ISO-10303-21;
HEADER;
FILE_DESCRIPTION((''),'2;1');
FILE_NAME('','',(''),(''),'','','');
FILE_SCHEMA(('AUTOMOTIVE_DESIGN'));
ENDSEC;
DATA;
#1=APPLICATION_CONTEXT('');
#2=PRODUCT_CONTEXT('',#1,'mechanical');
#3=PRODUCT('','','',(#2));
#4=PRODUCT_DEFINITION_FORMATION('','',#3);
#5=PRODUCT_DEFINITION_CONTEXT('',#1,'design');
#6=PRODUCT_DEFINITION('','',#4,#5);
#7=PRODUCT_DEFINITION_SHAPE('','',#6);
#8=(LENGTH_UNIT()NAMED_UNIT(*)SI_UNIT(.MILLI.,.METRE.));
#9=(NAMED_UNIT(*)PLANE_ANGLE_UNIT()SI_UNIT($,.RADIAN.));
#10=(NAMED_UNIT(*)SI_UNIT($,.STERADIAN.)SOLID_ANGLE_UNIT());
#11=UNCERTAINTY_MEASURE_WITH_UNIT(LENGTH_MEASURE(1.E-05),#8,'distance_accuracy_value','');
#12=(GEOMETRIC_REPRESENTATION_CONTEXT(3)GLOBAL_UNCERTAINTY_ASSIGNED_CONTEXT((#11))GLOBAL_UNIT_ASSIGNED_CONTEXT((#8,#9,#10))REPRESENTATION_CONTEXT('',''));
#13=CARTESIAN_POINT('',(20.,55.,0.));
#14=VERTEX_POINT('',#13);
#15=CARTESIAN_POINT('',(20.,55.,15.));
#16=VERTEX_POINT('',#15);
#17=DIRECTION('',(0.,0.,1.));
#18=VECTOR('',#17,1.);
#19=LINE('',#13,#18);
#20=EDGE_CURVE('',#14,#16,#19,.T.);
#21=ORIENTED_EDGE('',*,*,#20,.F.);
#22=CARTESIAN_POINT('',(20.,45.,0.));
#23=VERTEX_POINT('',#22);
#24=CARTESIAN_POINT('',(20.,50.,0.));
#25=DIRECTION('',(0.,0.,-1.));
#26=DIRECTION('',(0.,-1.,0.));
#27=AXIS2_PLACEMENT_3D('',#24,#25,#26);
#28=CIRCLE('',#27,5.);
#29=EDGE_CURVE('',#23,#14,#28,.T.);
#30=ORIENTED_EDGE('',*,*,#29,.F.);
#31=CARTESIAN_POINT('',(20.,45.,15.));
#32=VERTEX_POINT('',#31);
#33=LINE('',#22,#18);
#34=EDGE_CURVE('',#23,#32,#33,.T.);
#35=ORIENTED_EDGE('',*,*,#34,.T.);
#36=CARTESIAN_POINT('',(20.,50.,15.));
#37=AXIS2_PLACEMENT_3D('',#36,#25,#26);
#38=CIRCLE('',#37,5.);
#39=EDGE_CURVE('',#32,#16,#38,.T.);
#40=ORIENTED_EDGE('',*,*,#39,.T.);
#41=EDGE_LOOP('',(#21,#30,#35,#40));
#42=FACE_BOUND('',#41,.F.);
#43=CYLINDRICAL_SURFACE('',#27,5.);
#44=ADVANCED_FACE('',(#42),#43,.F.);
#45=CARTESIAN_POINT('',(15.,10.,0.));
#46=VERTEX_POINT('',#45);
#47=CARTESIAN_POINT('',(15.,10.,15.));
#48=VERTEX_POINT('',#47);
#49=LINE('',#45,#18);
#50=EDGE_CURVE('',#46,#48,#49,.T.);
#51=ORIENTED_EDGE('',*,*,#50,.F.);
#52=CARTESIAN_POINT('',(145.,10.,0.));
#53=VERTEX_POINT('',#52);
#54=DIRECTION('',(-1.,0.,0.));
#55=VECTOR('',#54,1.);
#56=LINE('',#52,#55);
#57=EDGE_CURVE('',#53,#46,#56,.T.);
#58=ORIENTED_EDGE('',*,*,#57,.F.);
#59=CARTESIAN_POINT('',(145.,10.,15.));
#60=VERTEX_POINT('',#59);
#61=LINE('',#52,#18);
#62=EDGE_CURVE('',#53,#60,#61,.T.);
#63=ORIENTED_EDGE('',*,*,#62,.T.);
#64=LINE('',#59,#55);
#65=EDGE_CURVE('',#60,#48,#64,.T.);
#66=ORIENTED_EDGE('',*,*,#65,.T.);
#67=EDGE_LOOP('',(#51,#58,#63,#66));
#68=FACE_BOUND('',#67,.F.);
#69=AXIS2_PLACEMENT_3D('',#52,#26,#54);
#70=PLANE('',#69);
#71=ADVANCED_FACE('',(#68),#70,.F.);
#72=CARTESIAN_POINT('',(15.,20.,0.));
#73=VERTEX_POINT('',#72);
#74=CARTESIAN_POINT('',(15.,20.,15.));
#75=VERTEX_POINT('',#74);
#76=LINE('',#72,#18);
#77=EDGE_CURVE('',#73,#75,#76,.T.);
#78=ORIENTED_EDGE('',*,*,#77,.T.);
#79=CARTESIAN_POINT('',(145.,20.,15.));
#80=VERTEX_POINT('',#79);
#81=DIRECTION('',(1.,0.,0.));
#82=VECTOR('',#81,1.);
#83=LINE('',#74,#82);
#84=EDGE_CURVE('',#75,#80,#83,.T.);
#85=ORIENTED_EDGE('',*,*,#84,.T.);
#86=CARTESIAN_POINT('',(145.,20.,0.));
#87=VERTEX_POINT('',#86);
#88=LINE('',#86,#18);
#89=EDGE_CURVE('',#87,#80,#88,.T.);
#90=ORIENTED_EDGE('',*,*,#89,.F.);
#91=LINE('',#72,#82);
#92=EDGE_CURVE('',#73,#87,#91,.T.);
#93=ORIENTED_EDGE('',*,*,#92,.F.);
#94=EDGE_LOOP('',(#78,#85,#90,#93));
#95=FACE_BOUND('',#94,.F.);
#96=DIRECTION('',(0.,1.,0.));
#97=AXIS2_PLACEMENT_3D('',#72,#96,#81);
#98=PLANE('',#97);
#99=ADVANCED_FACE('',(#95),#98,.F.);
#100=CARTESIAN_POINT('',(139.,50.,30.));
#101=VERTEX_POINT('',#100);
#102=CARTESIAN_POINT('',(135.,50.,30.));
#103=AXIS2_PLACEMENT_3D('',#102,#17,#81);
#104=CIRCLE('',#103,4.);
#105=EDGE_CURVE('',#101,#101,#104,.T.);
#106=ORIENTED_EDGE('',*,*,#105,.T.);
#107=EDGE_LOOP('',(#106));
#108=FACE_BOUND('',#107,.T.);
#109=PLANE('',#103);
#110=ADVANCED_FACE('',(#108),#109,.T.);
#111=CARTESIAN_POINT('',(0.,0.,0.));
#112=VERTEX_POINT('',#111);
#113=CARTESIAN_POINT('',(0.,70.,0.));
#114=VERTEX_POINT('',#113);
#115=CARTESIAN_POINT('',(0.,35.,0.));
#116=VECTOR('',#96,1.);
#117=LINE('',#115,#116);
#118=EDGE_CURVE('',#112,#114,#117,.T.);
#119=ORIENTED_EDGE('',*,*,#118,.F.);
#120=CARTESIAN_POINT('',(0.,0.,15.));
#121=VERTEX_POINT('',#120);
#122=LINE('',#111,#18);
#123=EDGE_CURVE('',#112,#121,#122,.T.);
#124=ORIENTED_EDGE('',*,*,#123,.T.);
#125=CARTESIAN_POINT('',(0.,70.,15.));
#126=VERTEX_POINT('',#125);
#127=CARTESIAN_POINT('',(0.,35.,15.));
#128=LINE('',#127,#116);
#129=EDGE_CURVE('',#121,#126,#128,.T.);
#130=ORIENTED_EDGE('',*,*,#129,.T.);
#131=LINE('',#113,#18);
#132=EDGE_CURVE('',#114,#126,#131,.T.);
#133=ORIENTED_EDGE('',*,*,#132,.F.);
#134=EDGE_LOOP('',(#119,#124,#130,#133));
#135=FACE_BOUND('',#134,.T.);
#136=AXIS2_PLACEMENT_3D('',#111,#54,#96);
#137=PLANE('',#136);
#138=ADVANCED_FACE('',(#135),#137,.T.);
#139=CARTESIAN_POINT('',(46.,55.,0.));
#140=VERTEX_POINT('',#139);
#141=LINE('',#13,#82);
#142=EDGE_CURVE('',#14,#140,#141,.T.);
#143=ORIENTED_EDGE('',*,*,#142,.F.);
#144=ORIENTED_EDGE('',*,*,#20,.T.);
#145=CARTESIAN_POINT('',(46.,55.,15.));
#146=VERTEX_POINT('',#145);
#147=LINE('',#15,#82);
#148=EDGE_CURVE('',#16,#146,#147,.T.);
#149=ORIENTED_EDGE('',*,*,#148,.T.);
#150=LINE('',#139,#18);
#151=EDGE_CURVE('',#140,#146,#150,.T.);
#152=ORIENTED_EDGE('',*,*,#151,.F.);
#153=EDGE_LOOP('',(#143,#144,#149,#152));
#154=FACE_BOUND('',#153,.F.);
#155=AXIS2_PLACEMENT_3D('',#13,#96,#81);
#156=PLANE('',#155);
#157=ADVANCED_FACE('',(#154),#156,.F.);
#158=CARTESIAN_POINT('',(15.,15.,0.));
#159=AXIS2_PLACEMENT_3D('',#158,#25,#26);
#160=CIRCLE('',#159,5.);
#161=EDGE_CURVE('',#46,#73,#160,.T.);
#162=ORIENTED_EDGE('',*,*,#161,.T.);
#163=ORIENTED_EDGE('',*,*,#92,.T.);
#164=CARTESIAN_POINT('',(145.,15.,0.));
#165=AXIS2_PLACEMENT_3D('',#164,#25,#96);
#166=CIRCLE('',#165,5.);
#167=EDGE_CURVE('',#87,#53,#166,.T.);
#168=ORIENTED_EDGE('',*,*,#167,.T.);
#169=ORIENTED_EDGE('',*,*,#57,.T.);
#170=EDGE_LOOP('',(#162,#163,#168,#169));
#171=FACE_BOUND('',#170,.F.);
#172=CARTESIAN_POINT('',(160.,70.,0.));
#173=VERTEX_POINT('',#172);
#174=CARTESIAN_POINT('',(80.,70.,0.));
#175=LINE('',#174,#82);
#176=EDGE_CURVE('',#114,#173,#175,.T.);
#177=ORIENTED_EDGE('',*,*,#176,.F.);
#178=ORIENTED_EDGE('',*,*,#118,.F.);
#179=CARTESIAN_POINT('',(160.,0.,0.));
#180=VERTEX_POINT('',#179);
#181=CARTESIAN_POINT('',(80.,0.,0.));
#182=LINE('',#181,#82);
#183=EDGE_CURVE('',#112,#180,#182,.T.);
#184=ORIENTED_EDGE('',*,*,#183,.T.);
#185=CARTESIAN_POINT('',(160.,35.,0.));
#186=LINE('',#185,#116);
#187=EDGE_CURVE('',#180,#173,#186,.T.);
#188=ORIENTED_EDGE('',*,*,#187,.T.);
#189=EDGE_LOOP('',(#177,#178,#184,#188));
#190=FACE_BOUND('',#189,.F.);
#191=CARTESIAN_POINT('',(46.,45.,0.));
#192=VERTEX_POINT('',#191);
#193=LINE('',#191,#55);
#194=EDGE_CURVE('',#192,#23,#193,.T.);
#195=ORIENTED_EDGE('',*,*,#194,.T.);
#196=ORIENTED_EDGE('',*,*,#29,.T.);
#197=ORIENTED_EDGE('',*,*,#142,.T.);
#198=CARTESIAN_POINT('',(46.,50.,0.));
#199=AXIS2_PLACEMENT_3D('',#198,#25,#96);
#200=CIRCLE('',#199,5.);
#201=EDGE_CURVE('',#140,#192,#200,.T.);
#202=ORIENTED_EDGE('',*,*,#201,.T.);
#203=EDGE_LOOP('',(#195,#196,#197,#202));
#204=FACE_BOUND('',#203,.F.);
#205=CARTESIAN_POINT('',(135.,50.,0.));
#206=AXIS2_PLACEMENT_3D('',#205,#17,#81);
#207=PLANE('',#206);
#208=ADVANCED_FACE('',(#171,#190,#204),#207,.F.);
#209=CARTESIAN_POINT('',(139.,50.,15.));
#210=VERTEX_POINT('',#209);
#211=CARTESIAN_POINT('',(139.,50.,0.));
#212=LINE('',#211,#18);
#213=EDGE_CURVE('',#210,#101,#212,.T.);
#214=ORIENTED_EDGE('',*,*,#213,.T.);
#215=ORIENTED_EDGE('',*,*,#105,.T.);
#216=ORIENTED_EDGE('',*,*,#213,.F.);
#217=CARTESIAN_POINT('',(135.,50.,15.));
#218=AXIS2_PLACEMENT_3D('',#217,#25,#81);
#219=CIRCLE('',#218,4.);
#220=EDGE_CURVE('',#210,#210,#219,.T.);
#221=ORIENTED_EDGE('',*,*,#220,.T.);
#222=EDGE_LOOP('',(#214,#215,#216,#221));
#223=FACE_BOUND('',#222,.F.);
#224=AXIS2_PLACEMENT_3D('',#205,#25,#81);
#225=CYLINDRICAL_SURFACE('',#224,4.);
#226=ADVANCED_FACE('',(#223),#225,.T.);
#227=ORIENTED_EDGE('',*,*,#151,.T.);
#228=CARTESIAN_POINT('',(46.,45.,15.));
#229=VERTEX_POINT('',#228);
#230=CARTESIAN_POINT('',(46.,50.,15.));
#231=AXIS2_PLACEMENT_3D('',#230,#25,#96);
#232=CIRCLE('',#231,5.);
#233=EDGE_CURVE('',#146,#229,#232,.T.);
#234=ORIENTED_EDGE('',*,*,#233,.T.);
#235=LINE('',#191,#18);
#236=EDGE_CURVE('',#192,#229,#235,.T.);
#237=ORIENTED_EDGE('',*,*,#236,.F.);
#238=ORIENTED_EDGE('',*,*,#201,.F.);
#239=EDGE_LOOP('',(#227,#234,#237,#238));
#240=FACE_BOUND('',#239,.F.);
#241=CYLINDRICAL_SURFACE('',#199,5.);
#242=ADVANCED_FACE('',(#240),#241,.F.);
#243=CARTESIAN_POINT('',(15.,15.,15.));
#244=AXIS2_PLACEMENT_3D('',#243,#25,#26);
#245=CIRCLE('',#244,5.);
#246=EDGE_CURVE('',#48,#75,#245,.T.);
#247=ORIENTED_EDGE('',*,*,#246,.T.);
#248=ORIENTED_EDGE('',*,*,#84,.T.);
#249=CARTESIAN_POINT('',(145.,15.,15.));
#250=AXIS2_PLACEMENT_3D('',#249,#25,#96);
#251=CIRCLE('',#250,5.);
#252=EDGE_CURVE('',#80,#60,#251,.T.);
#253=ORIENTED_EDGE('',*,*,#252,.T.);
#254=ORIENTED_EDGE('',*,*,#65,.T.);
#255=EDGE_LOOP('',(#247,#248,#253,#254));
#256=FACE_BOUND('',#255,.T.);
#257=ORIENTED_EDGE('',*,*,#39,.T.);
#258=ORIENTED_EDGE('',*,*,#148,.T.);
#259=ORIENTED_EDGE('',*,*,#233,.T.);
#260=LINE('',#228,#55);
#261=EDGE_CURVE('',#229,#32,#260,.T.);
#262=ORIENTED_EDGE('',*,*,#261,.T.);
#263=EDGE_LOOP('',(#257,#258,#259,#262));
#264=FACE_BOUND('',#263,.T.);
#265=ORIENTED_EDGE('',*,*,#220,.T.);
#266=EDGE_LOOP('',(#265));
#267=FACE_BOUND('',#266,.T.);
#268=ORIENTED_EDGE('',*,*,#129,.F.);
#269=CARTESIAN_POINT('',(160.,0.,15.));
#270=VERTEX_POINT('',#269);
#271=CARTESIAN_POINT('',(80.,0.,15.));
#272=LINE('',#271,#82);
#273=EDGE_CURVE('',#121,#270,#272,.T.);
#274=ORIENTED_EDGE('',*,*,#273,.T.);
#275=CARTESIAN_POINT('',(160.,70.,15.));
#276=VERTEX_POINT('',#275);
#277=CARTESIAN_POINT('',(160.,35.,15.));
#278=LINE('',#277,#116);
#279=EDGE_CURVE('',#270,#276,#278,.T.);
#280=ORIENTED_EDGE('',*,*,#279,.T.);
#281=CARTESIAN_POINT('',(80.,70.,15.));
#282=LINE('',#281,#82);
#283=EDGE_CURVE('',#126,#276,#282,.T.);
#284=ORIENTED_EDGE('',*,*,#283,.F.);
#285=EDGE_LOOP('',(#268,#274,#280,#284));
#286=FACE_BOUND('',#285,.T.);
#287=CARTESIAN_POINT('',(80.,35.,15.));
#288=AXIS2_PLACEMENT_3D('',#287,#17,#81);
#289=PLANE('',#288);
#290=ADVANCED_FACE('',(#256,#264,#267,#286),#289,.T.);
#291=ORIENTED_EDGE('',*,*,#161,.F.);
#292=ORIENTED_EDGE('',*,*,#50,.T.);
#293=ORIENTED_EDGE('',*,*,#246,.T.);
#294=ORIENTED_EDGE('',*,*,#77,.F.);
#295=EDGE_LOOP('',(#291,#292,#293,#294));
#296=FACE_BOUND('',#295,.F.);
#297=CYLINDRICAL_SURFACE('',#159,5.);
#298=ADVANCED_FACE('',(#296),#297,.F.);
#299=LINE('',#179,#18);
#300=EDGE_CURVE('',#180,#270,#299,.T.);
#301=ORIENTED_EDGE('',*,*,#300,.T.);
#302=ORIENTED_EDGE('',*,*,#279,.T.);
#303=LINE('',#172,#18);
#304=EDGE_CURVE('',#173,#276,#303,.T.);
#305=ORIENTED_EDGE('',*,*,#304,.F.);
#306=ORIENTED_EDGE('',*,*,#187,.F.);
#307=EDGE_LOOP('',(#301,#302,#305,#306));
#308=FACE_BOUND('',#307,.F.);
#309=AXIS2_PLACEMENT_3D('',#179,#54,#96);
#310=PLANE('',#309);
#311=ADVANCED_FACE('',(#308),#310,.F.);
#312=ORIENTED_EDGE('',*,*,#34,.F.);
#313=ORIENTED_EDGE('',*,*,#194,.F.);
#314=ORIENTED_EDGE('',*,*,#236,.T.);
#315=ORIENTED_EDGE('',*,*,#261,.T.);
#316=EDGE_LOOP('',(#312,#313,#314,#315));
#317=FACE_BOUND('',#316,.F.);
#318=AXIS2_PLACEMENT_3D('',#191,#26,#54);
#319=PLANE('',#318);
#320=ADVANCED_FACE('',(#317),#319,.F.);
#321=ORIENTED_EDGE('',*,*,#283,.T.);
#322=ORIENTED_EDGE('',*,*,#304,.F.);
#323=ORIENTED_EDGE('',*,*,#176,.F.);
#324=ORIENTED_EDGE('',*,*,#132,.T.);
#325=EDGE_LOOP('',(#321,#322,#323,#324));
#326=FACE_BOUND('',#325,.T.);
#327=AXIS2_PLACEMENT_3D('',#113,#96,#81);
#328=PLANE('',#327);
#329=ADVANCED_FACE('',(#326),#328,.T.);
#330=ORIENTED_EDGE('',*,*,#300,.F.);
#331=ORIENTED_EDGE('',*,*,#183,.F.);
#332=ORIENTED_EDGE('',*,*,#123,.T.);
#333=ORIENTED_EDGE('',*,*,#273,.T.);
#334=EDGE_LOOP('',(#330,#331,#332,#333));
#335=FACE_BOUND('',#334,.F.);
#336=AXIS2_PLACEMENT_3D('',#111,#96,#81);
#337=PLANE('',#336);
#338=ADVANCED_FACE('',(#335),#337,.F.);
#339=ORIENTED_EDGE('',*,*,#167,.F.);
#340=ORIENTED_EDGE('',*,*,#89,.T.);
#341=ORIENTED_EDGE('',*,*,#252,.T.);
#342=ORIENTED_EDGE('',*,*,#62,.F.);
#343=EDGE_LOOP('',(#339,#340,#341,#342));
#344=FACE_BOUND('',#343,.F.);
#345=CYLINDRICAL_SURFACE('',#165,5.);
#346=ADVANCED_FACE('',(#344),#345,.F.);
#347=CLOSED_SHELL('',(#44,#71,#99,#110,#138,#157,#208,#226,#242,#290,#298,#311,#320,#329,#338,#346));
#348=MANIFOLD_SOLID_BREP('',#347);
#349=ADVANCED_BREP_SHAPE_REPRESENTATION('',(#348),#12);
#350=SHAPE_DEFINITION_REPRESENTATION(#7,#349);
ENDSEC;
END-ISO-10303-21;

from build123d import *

# Parameters (mm, degrees)
F0_W     = 160
F0_H     = 70
F0_R     = 4
F1_DEPTH = 15
F2_DEPTH = 30


with BuildPart() as f1:
    # F0 (on Top) → F1 (new body)
    with BuildSketch(Plane.XY):
        with Locations((80, 35)):
            Rectangle(F0_W, F0_H)
        with BuildLine():
            ThreePointArc((15, 10), (10, 15), (15, 20))
            Line((15, 20), (145, 20))
            ThreePointArc((145, 20), (150, 15), (145, 10))
            Line((145, 10), (15, 10))
        make_face(mode=Mode.SUBTRACT)
        with BuildLine():
            ThreePointArc((20, 45), (15, 50), (20, 55))
            Line((20, 55), (46, 55))
            ThreePointArc((46, 55), (51, 50), (46, 45))
            Line((46, 45), (20, 45))
        make_face(mode=Mode.SUBTRACT)
        with Locations((135, 50)):
            Circle(F0_R, mode=Mode.SUBTRACT)
        with Locations((135, 50)):
            Circle(F0_R)
    extrude(amount=F1_DEPTH)

    # F0 (on Top) → F2 (join)
    with BuildSketch(Plane.XY):
        with Locations((135, 50)):
            Circle(F0_R)
    extrude(amount=F2_DEPTH)


solid = f1.part
